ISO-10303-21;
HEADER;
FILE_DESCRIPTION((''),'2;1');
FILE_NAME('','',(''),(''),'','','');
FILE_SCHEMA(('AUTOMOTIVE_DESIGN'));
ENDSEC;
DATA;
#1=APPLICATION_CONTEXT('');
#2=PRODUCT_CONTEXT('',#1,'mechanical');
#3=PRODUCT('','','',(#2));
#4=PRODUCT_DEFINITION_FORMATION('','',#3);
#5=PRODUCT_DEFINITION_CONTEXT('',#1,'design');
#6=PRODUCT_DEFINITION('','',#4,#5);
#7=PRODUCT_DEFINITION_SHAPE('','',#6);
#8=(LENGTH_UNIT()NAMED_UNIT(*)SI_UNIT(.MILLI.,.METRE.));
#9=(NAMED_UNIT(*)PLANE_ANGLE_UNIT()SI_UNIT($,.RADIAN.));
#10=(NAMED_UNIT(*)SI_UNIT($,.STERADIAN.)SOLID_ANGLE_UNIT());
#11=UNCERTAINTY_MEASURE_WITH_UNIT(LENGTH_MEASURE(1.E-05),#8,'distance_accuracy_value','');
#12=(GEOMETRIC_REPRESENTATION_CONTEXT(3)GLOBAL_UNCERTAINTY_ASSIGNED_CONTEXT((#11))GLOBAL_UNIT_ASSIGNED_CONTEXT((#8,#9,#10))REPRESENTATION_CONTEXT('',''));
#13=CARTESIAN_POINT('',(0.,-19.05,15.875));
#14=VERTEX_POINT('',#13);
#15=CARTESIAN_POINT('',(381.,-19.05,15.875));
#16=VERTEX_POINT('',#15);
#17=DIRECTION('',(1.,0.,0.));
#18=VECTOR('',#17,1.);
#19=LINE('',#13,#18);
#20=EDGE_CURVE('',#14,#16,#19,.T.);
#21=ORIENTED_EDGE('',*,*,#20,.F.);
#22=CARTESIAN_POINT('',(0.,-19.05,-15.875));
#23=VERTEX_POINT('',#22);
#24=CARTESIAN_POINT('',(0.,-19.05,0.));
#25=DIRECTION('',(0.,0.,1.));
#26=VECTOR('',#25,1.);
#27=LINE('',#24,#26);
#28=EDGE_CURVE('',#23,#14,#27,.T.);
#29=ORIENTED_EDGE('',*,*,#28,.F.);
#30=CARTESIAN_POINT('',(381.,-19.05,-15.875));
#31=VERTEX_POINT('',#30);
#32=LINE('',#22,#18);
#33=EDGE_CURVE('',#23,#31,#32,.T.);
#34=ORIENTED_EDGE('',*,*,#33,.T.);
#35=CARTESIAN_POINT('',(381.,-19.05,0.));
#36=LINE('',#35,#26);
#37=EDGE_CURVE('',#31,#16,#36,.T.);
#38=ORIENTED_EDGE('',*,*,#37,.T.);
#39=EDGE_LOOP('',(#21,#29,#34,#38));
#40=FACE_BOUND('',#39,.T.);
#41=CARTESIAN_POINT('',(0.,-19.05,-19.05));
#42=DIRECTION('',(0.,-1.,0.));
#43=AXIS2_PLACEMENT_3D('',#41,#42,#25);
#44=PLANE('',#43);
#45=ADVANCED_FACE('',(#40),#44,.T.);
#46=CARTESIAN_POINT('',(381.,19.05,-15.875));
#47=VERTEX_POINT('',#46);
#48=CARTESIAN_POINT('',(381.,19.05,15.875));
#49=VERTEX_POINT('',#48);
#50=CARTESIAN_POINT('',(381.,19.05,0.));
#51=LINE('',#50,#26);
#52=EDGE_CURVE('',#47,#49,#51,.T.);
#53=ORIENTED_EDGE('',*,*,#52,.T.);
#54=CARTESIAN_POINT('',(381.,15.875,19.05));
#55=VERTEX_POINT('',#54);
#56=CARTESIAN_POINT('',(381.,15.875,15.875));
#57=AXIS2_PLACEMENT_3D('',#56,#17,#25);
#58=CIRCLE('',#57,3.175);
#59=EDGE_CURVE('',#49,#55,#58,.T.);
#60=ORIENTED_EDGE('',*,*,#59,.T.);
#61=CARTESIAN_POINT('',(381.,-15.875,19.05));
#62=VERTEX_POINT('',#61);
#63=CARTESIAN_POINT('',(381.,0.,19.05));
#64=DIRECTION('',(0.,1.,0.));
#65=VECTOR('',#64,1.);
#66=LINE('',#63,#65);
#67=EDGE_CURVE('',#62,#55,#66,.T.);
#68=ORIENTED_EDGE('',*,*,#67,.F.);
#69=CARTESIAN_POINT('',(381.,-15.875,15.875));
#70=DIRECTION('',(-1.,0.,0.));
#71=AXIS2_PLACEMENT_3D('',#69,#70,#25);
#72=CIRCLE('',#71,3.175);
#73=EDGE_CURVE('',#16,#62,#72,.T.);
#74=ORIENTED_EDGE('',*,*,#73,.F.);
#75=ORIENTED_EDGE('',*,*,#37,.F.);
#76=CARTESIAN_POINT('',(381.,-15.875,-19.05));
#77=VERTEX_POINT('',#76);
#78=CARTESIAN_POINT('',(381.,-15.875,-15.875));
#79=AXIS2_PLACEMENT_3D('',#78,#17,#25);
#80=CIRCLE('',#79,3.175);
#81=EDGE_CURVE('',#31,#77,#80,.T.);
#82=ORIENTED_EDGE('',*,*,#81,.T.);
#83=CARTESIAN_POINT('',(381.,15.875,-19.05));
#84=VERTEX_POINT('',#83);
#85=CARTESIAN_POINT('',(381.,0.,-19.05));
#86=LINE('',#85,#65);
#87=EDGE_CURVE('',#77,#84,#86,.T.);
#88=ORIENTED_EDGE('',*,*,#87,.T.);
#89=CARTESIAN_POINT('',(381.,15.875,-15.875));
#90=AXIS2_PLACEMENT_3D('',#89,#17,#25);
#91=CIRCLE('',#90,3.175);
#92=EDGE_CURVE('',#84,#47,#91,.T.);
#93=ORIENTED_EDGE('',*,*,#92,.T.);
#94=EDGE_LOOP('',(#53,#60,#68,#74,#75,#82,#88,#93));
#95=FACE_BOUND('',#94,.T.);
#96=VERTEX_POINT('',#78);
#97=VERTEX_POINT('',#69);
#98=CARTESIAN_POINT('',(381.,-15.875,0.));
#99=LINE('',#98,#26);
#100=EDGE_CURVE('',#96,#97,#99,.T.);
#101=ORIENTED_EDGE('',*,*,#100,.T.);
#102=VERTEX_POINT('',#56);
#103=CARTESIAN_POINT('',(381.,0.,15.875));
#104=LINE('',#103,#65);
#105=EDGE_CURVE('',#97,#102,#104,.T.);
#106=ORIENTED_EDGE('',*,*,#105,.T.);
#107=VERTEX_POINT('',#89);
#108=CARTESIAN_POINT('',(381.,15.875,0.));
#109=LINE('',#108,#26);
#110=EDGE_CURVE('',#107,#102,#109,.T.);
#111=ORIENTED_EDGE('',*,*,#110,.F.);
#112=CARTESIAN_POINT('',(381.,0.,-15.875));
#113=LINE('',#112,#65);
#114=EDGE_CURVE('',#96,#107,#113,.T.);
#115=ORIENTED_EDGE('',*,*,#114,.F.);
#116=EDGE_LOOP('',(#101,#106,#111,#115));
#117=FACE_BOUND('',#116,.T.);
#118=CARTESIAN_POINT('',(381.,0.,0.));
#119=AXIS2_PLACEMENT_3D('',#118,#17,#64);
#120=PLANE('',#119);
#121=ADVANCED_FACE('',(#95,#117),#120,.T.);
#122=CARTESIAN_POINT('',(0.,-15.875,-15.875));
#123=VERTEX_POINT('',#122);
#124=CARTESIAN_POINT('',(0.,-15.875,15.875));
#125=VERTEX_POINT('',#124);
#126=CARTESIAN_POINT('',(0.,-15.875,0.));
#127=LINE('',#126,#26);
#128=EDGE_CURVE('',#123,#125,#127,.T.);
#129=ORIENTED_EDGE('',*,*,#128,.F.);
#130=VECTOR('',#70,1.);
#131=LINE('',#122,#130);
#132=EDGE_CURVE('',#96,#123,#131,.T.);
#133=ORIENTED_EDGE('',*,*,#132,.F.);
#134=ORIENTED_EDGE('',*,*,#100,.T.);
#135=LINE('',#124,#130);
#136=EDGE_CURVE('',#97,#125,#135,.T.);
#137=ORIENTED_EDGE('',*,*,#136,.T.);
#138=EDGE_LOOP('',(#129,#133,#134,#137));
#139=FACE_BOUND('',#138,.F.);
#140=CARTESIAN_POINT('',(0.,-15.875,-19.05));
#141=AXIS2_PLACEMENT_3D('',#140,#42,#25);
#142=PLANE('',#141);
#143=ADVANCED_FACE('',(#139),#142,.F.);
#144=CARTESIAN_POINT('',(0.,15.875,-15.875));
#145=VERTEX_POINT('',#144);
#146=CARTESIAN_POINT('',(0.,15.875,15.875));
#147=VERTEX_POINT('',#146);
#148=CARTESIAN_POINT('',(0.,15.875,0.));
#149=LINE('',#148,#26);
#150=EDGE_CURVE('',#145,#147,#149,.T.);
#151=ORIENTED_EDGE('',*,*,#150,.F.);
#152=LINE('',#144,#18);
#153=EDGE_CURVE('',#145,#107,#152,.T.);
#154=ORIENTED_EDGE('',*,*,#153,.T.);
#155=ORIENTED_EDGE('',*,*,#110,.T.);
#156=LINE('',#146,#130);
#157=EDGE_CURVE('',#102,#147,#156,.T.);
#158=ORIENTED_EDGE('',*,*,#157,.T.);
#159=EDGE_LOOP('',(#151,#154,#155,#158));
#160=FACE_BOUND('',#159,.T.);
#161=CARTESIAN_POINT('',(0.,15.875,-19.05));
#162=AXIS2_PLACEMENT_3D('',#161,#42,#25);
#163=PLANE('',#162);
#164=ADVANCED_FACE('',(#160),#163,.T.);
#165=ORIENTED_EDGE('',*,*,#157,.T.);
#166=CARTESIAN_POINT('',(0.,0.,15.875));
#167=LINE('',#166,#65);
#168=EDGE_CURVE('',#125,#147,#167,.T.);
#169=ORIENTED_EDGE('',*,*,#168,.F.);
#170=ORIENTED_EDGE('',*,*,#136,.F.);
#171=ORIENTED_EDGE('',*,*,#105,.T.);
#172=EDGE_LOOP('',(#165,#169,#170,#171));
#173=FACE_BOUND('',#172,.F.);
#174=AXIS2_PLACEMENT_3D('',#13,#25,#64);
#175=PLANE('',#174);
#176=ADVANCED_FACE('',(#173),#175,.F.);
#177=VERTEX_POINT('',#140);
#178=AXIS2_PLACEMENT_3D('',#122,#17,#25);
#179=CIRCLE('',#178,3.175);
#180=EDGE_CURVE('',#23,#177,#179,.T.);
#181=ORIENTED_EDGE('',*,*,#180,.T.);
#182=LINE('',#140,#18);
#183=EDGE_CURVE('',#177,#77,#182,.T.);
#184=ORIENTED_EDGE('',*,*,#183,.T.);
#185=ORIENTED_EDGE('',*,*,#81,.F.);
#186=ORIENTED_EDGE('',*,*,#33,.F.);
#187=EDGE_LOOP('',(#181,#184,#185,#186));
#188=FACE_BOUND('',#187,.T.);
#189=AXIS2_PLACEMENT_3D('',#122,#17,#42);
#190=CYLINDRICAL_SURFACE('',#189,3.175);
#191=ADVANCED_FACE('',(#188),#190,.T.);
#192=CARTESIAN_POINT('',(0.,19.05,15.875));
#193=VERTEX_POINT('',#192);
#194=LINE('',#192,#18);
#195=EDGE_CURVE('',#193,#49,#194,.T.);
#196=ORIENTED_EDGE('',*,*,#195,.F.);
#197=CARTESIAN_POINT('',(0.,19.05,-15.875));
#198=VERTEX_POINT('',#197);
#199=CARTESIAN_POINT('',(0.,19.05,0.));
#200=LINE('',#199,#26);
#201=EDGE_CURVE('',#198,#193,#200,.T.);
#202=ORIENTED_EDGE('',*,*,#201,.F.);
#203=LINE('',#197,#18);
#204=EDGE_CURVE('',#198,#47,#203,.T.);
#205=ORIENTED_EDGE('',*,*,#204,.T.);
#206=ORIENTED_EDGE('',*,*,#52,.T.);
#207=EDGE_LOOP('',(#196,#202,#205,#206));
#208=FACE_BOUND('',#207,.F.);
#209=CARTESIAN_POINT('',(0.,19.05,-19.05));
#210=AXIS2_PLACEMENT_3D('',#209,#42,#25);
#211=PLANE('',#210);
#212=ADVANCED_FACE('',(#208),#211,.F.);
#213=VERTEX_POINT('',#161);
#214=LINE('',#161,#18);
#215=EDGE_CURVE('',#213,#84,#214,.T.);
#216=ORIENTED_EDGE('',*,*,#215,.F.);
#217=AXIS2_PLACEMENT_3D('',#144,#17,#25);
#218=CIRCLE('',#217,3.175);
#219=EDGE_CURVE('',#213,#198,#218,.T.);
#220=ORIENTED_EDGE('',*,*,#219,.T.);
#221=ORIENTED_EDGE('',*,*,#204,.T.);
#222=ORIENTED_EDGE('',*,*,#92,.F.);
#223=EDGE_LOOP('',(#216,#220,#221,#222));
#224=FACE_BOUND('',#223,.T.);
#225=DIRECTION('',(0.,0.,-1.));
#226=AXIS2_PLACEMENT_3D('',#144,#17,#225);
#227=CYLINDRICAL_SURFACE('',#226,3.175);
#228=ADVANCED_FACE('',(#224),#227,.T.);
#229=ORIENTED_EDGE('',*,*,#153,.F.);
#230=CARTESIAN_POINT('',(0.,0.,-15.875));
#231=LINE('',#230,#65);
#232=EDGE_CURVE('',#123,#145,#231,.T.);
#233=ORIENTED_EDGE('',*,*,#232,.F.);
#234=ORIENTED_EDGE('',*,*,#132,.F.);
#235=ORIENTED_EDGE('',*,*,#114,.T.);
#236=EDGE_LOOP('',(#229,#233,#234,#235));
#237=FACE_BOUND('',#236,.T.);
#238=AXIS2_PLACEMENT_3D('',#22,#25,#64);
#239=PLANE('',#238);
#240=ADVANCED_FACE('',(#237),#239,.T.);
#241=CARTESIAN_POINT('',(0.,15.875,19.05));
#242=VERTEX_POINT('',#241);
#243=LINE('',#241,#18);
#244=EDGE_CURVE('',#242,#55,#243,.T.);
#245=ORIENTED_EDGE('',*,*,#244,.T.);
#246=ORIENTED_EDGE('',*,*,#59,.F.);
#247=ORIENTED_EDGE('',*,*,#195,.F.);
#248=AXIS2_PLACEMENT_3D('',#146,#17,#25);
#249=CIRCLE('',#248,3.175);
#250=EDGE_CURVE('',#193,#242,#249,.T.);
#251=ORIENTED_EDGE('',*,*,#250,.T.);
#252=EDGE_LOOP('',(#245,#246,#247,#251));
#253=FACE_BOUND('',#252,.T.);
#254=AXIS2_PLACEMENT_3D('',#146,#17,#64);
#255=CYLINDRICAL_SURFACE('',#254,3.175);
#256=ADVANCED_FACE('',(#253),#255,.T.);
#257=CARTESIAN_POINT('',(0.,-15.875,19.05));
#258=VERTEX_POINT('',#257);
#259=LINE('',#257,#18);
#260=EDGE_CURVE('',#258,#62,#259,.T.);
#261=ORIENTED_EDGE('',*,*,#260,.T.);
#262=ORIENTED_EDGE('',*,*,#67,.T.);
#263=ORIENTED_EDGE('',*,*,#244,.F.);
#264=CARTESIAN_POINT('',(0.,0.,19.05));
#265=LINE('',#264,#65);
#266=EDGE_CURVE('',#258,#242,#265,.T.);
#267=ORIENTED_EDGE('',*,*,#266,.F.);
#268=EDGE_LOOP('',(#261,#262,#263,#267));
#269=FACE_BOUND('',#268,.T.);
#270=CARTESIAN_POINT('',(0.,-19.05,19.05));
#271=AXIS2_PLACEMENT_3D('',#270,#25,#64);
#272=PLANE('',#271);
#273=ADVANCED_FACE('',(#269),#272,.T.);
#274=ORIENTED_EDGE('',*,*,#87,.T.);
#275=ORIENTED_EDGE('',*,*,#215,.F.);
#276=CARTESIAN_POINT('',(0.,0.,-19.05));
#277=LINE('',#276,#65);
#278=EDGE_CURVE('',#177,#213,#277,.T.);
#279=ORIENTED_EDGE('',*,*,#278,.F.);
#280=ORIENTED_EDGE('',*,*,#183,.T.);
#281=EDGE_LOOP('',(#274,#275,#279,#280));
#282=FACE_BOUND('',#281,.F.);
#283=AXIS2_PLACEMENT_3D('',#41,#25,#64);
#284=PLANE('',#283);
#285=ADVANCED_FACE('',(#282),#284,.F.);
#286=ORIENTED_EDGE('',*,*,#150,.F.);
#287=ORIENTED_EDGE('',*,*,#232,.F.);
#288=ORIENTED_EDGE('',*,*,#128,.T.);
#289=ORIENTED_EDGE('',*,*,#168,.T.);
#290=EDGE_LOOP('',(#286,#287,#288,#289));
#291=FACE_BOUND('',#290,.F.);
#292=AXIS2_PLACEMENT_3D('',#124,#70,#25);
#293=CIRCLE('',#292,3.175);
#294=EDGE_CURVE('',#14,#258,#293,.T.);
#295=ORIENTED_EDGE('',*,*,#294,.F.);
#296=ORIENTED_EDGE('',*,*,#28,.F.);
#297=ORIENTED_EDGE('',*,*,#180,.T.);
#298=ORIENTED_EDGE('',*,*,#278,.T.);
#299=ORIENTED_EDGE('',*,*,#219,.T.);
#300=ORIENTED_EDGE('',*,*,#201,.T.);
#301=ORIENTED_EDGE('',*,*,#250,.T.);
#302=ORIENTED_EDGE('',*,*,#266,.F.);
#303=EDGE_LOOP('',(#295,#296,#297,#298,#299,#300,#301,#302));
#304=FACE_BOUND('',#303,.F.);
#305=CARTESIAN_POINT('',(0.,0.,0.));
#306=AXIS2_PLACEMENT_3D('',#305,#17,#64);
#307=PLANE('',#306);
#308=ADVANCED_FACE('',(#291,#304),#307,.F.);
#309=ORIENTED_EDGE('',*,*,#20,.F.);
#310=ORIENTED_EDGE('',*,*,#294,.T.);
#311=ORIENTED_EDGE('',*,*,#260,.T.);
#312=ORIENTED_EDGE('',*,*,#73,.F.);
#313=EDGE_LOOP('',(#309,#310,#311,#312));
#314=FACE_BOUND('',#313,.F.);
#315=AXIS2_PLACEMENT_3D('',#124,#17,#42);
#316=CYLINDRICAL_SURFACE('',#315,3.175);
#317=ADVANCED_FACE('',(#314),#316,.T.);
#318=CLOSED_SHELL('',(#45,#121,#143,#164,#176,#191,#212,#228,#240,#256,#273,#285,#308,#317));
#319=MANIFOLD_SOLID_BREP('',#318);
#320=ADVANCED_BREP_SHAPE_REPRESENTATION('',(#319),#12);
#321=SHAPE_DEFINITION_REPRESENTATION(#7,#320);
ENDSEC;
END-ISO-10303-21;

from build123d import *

# Parameters (mm, degrees)
F0_W     = 38.1
F0_H     = 38.1
F1_DEPTH = 381
F2_T     = -3.175
F3_R     = 3.175


with BuildPart() as f1:
    # F0 (on Right) → F1 (new body)
    with BuildSketch(Plane.YZ):
        Rectangle(F0_W, F0_H)
    extrude(amount=F1_DEPTH)

    # F2
    f2_openings = [f1.faces().sort_by_distance(p)[0] for p in [
        (381, 0, 0),
        (0, 0, 0),
    ]]
    offset(amount=F2_T, openings=f2_openings)

    # F3
    f3_edges = [f1.edges().sort_by_distance(p)[0] for p in [
        (190.5, -19.05, 19.05),
        (190.5, 19.05, 19.05),
        (190.5, -19.05, -19.05),
        (190.5, 19.05, -19.05),
    ]]
    fillet(f3_edges, radius=F3_R)


solid = f1.part
